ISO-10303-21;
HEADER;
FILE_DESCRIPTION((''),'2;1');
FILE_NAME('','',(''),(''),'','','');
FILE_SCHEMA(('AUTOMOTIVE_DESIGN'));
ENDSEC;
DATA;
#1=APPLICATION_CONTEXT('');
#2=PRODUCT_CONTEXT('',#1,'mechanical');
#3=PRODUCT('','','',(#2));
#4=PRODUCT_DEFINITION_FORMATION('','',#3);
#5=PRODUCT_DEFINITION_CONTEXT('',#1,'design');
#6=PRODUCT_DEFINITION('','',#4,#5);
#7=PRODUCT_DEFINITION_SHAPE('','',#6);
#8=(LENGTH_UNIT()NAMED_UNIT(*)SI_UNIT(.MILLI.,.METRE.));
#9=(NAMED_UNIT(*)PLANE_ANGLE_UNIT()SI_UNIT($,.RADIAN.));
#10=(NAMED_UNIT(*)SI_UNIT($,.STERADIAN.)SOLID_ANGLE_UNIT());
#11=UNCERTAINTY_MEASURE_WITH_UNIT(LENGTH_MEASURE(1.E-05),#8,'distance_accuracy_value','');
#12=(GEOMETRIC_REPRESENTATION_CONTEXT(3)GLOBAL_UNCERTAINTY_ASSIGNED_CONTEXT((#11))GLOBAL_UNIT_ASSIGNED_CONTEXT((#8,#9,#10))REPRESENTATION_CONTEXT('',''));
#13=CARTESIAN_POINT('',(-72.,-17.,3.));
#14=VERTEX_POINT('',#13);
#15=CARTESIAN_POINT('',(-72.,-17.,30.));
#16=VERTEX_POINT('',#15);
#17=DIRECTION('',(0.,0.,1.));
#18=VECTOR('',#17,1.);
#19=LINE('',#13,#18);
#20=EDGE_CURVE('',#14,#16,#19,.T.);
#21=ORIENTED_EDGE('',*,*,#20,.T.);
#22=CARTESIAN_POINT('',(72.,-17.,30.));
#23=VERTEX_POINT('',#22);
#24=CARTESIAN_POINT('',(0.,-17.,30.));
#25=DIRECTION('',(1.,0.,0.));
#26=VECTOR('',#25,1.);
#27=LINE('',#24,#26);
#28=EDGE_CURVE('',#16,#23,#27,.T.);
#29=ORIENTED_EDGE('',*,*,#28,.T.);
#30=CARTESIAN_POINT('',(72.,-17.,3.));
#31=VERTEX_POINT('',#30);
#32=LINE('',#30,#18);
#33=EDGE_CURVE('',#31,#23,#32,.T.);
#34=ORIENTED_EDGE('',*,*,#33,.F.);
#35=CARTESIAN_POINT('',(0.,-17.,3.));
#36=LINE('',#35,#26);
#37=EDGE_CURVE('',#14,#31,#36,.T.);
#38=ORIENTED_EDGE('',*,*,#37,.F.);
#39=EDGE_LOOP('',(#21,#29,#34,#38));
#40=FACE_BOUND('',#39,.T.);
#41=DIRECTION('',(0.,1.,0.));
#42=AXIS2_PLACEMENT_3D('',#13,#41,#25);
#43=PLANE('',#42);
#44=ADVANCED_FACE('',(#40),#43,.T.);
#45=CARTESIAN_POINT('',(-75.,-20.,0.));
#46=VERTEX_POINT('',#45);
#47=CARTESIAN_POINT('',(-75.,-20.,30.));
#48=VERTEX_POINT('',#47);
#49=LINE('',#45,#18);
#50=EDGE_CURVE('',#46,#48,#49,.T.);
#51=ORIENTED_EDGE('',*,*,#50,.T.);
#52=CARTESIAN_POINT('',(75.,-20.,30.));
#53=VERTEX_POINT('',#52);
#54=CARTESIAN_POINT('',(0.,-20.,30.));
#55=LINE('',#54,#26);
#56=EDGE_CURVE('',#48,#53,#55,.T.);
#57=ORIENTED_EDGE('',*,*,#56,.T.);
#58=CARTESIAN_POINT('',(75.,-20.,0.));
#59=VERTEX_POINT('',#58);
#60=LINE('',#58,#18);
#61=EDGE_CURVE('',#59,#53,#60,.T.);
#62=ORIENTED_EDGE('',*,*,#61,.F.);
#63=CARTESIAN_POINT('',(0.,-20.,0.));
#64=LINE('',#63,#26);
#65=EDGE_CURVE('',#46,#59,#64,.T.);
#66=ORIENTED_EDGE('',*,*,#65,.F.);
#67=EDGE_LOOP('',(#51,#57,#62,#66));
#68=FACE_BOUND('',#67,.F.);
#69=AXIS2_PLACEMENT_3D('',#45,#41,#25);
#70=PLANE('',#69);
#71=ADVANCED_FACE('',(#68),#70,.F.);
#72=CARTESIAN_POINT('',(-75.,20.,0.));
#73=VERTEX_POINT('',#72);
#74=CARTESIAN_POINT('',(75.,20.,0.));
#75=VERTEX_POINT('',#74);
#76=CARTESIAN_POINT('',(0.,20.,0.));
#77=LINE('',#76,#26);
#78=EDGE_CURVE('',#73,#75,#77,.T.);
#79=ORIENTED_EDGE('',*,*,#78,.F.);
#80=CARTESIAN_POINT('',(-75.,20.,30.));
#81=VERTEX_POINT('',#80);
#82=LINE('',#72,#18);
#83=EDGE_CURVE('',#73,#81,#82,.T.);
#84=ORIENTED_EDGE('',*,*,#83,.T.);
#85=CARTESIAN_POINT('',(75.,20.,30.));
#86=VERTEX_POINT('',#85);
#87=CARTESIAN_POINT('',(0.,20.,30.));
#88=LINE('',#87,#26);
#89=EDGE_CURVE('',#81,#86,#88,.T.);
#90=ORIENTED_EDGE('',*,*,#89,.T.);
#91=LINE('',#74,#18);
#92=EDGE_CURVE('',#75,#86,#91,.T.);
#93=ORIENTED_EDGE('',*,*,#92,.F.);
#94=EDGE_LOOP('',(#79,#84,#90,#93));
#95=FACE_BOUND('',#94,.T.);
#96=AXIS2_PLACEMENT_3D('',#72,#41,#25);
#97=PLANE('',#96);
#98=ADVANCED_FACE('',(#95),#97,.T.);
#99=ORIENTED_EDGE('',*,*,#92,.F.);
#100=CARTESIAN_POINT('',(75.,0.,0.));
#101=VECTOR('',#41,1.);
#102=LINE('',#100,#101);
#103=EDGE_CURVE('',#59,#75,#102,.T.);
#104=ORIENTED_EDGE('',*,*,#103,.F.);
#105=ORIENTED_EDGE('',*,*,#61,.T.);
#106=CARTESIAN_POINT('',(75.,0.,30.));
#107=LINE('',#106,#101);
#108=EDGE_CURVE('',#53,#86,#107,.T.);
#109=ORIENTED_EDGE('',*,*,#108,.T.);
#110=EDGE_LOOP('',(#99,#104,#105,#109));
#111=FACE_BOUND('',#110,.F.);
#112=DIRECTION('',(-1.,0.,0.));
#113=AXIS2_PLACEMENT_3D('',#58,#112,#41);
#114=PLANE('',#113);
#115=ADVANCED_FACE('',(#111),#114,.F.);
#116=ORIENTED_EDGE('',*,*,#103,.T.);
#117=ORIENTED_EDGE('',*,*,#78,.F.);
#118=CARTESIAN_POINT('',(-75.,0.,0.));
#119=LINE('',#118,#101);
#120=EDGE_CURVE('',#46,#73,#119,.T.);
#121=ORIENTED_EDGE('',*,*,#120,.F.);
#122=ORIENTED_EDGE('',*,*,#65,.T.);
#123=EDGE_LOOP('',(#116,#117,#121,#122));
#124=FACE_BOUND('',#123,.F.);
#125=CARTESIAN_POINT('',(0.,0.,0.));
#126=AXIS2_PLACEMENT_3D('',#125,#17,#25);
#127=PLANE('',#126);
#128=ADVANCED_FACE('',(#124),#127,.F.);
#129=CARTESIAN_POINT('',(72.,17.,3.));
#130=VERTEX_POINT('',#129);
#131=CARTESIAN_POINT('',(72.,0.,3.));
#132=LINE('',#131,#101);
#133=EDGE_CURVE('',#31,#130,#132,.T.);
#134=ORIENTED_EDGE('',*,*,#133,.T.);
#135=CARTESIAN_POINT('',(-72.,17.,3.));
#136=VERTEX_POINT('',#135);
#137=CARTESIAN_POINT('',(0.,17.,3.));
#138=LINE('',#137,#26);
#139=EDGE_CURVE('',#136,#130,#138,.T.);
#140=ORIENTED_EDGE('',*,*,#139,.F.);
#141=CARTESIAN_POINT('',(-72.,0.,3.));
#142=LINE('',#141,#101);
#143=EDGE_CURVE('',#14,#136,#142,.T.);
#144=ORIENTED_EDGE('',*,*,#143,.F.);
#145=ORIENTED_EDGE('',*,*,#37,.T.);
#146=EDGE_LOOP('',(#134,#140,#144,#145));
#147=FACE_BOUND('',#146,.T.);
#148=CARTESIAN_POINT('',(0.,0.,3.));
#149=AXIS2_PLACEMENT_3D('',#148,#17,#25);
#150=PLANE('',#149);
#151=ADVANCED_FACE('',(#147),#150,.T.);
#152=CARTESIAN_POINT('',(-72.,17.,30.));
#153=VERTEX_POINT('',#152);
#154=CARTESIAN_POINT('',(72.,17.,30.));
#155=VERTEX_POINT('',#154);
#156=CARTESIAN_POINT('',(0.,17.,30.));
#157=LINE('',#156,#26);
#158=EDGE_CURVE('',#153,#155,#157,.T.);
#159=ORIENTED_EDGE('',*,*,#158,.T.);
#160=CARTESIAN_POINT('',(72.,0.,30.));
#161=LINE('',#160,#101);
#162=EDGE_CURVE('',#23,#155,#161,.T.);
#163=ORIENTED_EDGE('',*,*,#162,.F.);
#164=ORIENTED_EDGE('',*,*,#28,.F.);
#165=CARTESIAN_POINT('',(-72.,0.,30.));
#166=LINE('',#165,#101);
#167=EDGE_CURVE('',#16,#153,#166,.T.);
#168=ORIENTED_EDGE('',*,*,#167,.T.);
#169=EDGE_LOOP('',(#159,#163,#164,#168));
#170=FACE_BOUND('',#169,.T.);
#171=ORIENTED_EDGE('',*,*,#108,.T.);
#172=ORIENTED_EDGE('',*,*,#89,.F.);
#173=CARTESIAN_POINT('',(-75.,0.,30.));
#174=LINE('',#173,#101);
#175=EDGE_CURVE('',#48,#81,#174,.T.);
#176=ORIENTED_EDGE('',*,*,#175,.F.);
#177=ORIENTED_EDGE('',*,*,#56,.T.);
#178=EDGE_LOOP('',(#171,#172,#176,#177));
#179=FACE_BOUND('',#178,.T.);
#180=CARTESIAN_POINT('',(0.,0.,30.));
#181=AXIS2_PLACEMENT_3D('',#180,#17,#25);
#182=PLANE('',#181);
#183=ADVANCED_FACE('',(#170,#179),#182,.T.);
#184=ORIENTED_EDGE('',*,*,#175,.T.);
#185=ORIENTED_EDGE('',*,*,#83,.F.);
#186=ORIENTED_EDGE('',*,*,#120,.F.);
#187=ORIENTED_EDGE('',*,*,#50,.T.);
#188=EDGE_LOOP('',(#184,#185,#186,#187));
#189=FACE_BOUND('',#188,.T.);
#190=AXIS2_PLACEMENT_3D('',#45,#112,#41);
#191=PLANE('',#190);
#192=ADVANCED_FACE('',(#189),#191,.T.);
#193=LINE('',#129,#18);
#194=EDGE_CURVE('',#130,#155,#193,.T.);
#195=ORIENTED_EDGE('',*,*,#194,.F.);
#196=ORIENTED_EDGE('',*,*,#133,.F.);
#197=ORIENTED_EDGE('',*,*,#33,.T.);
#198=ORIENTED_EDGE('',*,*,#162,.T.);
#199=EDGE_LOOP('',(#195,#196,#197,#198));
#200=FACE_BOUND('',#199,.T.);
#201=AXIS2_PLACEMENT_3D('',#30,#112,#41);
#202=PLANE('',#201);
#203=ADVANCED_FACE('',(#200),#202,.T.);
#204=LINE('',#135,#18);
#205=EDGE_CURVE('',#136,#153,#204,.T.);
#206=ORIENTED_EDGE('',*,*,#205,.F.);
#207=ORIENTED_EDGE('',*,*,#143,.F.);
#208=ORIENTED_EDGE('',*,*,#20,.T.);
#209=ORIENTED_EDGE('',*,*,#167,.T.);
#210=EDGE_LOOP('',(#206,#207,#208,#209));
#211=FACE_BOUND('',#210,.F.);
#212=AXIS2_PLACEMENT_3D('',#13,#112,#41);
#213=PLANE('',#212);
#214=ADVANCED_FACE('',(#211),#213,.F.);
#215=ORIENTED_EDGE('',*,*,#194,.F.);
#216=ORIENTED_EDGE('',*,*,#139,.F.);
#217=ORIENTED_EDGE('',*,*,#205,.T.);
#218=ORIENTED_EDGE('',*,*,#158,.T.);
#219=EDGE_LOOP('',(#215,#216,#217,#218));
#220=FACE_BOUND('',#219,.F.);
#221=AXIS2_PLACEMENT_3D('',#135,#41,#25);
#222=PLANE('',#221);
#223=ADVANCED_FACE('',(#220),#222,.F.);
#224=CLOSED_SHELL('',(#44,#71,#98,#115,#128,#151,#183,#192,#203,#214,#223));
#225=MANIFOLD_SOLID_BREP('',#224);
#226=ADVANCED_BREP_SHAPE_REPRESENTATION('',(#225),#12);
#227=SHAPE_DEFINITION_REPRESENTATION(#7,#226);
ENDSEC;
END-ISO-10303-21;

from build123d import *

# Parameters (mm, degrees)
F0_W     = 150
F0_H     = 40
F1_DEPTH = 30
F3_W     = 144
F3_H     = 34
F4_DEPTH = 27


with BuildPart() as f1:
    # F0 (on Top) → F1 (new body)
    with BuildSketch(Plane.XY):
        Rectangle(F0_W, F0_H)
    extrude(amount=F1_DEPTH)

    # F3 (on offset) → F4 (cut)
    with BuildSketch(Plane.XY.offset(3)):
        Rectangle(F3_W, F3_H)
    extrude(amount=F4_DEPTH, mode=Mode.SUBTRACT)


solid = f1.part
